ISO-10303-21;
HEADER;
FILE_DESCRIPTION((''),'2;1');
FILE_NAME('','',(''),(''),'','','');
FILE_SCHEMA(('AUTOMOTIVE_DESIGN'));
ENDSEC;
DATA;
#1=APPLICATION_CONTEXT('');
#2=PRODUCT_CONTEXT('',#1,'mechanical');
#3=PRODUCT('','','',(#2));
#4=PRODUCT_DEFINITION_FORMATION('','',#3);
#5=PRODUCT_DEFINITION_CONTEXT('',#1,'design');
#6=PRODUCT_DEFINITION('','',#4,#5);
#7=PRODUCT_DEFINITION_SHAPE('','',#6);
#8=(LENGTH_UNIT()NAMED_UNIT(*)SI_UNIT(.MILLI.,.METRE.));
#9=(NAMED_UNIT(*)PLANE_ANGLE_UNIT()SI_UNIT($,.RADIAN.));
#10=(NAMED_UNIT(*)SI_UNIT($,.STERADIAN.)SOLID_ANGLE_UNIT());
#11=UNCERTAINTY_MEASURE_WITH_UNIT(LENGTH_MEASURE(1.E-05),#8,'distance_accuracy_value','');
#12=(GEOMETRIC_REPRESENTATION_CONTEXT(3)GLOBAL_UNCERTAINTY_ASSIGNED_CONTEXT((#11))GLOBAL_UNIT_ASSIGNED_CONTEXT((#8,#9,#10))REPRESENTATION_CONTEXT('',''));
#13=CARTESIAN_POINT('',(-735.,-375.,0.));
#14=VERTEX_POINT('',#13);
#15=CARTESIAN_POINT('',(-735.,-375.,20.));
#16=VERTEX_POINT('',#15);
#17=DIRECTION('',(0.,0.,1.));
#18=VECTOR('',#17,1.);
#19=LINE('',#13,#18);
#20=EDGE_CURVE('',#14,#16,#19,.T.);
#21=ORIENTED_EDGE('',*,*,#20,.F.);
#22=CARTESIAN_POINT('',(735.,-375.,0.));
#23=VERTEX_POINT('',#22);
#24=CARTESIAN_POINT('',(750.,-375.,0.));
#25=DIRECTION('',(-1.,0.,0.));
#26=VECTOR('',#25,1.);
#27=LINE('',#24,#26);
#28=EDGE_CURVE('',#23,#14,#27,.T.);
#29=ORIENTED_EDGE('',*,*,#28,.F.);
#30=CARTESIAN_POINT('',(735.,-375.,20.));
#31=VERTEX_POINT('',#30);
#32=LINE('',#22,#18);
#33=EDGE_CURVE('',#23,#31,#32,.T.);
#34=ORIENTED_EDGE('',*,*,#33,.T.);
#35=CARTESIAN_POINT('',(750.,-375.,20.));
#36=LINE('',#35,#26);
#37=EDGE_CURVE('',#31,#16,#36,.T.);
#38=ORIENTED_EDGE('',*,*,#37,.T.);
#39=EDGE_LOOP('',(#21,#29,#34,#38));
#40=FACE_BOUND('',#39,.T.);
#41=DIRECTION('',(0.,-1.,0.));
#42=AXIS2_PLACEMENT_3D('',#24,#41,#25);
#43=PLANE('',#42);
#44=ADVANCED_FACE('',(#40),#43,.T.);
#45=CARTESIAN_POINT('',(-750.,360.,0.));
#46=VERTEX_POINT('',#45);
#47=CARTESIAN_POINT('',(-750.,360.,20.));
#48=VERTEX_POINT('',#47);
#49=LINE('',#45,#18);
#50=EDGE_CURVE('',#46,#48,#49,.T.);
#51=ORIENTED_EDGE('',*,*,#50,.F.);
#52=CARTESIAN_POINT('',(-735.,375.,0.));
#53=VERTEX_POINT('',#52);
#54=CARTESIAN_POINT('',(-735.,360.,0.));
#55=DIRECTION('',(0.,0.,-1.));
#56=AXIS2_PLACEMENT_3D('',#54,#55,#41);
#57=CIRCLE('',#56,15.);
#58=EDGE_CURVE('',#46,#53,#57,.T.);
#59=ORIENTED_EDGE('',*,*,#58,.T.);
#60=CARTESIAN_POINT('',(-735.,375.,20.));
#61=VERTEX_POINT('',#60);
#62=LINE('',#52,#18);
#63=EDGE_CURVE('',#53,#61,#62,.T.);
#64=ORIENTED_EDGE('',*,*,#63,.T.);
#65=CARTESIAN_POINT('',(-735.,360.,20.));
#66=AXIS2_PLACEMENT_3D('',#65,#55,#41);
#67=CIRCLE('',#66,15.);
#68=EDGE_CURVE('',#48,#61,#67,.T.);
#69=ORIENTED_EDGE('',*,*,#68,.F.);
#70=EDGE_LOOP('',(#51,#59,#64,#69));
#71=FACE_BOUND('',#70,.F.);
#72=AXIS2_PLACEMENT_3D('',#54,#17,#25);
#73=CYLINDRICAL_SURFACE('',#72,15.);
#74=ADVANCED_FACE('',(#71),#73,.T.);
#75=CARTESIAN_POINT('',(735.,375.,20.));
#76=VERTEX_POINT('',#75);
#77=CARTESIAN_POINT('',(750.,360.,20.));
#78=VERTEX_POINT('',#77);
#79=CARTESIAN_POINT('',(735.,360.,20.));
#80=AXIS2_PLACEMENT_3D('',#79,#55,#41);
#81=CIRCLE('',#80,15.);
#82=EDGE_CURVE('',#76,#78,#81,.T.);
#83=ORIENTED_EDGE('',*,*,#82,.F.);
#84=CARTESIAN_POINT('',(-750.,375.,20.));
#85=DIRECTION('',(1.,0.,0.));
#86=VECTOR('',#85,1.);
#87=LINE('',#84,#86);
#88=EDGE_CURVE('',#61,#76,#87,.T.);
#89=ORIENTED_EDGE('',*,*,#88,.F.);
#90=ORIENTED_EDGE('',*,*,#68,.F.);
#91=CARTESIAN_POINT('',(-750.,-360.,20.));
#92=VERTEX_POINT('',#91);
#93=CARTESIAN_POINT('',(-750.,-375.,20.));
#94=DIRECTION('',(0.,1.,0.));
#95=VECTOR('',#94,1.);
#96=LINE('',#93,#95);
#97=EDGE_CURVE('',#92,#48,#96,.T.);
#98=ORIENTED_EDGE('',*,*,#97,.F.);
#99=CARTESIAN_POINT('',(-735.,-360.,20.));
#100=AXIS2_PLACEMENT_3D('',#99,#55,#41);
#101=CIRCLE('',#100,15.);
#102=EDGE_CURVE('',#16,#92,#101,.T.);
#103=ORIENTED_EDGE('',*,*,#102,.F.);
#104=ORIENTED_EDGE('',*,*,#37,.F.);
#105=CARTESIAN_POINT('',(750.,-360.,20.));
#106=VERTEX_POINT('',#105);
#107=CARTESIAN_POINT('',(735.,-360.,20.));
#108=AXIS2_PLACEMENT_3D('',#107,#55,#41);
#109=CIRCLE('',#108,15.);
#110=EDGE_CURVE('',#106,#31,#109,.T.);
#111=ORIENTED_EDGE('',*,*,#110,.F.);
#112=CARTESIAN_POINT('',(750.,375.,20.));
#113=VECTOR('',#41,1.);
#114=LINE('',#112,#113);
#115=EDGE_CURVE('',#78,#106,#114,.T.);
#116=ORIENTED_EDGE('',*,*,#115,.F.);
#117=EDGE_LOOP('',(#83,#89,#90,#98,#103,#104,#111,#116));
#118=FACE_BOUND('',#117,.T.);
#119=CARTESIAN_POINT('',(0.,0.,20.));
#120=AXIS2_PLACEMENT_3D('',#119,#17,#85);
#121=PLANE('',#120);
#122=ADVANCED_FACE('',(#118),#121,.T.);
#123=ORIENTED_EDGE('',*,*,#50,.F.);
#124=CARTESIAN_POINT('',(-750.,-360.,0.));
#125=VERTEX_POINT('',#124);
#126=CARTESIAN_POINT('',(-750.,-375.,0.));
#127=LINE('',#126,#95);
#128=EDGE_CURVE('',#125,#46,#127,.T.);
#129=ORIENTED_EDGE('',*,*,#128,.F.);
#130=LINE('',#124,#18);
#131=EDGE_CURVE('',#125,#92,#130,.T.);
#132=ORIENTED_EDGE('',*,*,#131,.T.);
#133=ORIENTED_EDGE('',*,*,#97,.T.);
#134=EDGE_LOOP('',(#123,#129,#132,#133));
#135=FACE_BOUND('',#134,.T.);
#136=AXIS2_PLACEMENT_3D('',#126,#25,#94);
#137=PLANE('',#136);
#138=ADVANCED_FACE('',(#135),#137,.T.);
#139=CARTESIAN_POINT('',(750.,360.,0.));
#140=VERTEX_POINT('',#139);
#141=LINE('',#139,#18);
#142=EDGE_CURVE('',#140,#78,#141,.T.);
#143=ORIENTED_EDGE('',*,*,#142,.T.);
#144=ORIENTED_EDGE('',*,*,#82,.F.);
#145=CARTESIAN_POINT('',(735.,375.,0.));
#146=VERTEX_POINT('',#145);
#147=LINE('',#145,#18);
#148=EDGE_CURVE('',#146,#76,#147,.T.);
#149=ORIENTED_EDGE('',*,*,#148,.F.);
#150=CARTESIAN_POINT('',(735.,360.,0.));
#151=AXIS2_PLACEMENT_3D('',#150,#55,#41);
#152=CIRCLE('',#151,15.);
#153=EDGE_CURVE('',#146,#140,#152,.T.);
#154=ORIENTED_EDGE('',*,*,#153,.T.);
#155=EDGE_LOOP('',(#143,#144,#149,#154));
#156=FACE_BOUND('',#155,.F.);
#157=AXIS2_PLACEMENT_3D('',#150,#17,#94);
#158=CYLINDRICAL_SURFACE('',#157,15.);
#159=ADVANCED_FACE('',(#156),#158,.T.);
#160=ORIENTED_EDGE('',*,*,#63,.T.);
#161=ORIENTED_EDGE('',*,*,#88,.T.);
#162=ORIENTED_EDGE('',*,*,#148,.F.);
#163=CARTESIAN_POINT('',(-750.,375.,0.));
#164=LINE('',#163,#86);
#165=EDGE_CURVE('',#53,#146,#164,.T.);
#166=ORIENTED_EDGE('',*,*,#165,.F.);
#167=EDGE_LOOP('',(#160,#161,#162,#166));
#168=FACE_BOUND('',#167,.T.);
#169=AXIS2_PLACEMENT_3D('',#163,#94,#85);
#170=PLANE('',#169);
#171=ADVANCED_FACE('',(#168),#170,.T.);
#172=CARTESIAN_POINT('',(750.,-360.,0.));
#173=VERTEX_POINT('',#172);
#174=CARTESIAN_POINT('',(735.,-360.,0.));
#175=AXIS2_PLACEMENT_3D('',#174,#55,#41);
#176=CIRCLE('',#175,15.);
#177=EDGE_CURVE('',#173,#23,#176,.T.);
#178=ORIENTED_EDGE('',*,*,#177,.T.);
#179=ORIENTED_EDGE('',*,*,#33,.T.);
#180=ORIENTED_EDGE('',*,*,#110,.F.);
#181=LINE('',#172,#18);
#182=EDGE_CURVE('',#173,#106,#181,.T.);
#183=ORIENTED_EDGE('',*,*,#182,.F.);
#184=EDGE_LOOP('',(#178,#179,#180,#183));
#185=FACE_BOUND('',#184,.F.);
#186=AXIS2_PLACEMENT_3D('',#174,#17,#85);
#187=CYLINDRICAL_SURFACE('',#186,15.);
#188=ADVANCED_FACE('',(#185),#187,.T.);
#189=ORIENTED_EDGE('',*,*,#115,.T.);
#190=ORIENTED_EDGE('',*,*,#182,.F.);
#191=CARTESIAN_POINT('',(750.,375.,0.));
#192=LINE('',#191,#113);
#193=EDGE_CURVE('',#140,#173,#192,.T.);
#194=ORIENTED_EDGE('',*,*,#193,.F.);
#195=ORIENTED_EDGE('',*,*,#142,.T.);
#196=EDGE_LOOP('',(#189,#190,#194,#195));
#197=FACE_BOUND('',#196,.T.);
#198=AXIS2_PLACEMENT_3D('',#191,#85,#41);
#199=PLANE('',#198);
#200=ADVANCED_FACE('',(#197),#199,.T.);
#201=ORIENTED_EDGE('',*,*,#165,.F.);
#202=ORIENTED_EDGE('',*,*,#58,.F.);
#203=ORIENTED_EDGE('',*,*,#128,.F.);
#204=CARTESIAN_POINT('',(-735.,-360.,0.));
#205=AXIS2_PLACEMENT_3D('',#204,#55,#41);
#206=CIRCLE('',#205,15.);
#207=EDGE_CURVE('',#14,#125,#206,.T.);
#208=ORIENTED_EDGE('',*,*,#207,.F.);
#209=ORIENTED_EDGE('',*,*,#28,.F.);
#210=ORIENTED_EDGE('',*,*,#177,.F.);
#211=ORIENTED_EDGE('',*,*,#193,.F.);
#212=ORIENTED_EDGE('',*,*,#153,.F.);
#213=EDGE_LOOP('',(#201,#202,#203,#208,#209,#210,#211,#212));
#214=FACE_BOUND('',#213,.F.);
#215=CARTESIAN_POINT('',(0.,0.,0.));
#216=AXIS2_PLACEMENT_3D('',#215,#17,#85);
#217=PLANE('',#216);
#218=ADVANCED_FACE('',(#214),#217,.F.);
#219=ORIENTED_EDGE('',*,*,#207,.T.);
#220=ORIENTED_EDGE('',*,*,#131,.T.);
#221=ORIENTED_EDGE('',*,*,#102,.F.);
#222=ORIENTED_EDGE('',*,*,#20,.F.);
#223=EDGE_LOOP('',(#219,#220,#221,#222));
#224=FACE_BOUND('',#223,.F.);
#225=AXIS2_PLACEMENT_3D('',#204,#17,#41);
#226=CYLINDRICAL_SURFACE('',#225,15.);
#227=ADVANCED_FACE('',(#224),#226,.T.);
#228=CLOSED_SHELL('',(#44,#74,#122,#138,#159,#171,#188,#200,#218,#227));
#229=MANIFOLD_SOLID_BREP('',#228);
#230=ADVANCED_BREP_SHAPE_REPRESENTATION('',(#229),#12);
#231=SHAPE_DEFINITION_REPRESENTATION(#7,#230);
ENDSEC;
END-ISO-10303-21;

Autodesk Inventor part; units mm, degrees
sketch "Sketch2" plane through (0, 0, 0) normal (0, 0, 1) x (1, 0, 0)
  line L0 (750, -375) -> (-750, -375)
  line L1 (-750, -375) -> (-750, 375)
  line L2 (-750, 375) -> (750, 375)
  line L3 (750, 375) -> (750, -375)
  line L4 (750, -375) -> (-750, 375) construction
  line L5 (-750, -375) -> (750, 375) construction
  point P0 (0, 0)
  dimension "d0" = 1500
  dimension "d1" = 750
extrude "Extrusion1" add sketch "Sketch2" along normal blind 20
fillet "Fillet1" radius 15 1 edges at (-750, 375, 10)
fillet "Fillet2" radius 15 1 edges at (750, 375, 10)
fillet "Fillet3" radius 15 1 edges at (750, -375, 10)
fillet "Fillet4" radius 15 1 edges at (-750, -375, 10)
properties part number "Mesa_001_0001"
